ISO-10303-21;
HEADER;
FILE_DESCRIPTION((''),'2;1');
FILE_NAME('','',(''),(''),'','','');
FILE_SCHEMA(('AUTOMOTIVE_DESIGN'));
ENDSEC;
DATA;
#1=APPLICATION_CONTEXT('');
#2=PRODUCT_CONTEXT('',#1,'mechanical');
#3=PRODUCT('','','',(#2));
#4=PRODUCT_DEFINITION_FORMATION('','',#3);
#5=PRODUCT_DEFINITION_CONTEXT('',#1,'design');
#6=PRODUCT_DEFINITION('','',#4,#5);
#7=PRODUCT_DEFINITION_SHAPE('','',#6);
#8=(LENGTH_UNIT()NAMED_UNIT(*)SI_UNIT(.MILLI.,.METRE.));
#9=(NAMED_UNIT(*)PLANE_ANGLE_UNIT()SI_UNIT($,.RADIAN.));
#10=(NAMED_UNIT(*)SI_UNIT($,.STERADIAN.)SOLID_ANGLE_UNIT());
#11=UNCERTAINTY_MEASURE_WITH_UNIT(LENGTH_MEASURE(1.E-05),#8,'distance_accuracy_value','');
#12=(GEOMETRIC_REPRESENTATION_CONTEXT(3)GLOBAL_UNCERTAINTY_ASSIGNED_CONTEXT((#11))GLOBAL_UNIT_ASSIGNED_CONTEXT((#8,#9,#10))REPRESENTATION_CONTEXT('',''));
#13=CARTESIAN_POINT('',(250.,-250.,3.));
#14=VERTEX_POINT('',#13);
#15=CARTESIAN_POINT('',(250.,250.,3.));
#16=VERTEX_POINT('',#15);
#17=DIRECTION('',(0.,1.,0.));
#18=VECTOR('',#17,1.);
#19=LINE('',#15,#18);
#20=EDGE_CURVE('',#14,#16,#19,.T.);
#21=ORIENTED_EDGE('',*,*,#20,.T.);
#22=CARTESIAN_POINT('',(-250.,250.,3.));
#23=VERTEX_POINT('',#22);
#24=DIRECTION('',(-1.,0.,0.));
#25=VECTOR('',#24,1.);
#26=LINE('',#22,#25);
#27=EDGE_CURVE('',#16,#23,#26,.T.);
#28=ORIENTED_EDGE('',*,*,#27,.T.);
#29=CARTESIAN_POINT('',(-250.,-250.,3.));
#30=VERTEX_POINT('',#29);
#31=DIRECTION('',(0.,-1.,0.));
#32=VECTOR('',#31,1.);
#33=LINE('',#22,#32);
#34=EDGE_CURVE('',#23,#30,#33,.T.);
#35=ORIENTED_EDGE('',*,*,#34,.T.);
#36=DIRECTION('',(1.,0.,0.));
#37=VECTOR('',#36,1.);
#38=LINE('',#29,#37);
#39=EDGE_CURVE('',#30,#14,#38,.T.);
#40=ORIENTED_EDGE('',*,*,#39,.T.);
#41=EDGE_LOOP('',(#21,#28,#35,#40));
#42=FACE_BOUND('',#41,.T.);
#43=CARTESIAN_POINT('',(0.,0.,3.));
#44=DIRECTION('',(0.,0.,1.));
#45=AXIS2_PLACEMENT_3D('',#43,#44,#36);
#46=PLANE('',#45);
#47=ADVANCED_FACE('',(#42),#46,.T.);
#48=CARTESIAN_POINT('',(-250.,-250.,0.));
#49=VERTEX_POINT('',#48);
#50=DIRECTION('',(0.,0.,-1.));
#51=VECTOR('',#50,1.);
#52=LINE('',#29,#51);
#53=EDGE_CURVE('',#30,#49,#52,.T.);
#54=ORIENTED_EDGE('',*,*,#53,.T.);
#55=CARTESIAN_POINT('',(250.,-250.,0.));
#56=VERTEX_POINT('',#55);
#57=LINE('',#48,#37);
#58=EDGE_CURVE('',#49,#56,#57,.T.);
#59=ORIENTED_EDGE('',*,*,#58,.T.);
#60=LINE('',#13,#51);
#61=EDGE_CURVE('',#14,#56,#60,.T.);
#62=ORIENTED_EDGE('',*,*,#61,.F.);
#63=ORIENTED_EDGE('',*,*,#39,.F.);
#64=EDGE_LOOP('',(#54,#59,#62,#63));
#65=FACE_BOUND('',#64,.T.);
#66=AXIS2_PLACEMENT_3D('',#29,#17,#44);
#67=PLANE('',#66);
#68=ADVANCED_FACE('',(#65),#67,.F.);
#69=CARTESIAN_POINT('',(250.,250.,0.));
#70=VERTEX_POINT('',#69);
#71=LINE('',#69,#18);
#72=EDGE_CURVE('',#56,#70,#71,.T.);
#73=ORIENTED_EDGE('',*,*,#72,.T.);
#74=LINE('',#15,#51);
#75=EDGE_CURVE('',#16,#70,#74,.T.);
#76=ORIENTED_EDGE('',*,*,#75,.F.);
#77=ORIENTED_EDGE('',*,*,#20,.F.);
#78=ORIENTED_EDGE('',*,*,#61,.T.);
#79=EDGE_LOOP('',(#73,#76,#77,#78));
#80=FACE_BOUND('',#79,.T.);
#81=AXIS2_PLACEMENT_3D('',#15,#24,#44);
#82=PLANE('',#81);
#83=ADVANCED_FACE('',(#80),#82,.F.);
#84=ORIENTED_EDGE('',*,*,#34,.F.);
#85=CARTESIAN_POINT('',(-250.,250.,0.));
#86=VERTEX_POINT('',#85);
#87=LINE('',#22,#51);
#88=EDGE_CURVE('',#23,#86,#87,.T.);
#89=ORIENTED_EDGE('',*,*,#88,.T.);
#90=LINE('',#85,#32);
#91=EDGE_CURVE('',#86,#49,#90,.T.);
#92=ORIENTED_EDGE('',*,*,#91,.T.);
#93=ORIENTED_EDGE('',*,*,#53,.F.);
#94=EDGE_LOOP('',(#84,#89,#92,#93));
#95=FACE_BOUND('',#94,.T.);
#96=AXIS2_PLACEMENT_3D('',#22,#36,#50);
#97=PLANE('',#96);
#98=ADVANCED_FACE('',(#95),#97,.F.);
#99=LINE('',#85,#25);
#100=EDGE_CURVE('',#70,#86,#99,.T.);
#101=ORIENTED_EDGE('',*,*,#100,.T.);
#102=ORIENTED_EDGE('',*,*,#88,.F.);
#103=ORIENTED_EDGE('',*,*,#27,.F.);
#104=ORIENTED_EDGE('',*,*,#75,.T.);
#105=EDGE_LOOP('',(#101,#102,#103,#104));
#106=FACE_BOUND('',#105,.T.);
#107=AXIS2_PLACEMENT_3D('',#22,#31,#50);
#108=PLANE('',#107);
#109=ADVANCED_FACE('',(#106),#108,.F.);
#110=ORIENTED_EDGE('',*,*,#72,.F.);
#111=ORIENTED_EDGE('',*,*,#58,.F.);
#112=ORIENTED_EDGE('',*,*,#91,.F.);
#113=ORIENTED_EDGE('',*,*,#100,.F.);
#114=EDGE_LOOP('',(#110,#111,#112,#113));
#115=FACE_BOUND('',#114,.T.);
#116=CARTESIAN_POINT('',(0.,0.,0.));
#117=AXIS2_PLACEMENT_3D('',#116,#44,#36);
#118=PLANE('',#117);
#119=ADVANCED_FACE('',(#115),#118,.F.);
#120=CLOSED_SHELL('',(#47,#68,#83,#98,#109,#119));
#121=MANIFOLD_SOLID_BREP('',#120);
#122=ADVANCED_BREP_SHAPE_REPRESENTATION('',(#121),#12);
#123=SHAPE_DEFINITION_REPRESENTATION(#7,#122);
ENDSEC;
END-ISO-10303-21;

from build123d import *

# Parameters (mm, degrees)
SKETCH_1_W      = 500
SKETCH_1_H      = 500
EXTRUDE_1_DEPTH = 3


with BuildPart() as part:
    # 草图1 → 凸台-拉伸1 (new body)
    with BuildSketch(Plane.XY):
        Rectangle(SKETCH_1_W, SKETCH_1_H)
    extrude(amount=EXTRUDE_1_DEPTH)


solid = part.part
